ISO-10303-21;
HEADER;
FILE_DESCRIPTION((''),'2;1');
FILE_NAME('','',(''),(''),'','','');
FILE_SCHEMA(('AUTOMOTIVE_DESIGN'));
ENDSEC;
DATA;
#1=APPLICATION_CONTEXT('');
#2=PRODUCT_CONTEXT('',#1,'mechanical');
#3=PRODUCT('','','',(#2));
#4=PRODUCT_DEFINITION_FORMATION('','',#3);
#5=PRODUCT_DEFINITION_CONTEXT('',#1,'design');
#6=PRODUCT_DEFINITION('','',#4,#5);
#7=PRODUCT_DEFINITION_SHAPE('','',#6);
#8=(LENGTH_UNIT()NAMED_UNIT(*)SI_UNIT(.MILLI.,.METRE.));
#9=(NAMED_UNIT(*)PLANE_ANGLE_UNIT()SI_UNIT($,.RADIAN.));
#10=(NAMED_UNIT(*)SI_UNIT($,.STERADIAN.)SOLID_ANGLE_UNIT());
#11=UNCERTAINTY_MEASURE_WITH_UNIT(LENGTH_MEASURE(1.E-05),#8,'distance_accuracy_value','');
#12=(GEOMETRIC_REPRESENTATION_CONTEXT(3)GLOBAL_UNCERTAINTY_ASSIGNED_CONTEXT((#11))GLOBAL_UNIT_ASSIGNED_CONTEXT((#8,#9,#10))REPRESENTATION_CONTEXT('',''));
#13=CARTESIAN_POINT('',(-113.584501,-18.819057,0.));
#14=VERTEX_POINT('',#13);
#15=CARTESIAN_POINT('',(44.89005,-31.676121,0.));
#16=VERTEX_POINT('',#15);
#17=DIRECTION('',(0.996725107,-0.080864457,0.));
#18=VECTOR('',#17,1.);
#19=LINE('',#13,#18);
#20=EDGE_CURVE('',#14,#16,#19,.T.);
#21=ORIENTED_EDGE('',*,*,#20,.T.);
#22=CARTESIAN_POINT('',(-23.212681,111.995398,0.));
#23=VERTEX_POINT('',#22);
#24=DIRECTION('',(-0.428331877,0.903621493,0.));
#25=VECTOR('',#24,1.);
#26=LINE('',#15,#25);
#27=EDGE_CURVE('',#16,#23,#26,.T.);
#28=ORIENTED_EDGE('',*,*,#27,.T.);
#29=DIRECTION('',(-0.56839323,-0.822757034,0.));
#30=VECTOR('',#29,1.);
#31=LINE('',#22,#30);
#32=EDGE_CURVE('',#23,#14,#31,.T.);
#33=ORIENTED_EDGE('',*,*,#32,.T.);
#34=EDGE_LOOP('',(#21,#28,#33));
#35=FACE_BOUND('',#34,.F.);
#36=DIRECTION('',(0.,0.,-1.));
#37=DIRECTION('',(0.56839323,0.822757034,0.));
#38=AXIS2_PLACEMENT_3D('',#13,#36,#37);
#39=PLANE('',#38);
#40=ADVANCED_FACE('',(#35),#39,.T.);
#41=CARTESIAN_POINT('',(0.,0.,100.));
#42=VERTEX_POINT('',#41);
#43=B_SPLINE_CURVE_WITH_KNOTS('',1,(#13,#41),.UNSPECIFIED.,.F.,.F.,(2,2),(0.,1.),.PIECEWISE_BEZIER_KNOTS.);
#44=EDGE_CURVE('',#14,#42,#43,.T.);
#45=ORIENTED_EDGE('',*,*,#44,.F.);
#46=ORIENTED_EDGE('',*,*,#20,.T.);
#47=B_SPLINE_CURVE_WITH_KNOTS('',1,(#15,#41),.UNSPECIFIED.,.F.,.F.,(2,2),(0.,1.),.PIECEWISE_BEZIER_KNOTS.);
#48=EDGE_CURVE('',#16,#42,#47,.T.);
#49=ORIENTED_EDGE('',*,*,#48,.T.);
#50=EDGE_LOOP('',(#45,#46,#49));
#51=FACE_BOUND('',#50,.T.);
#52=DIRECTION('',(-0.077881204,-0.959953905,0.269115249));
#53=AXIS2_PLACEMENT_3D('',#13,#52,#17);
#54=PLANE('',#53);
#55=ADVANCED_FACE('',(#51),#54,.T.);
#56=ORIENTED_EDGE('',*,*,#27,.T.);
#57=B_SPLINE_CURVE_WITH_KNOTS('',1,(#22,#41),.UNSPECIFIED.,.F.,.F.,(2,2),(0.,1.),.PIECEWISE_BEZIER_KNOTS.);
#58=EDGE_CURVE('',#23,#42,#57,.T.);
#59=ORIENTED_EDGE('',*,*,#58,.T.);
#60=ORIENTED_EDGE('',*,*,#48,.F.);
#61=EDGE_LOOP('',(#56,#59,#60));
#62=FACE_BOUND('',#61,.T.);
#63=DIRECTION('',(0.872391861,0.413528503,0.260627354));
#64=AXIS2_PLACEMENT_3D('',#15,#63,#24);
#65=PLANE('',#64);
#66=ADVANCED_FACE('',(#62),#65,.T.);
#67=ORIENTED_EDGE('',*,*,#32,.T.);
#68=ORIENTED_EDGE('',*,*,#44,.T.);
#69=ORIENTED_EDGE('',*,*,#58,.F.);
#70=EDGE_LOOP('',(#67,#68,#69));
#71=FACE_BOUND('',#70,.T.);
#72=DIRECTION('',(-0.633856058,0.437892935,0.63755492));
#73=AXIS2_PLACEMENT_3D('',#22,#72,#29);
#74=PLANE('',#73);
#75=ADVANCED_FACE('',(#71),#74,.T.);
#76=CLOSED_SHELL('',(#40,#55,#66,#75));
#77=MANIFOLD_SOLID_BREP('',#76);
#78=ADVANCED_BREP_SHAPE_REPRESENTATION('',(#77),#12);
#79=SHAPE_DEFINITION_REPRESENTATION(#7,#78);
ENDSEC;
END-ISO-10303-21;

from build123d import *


with BuildPart() as f3:
    # F0 (on Top) → F3 section 0
    with BuildSketch(Plane.XY, mode=Mode.PRIVATE) as f3_s0:
        Polygon((-113.584501, -18.819057), (44.89005, -31.676121), (-23.212681, 111.995398), align=None)
    loft([f3_s0.sketch, Vertex(0, 0, 100)])


solid = f3.part
